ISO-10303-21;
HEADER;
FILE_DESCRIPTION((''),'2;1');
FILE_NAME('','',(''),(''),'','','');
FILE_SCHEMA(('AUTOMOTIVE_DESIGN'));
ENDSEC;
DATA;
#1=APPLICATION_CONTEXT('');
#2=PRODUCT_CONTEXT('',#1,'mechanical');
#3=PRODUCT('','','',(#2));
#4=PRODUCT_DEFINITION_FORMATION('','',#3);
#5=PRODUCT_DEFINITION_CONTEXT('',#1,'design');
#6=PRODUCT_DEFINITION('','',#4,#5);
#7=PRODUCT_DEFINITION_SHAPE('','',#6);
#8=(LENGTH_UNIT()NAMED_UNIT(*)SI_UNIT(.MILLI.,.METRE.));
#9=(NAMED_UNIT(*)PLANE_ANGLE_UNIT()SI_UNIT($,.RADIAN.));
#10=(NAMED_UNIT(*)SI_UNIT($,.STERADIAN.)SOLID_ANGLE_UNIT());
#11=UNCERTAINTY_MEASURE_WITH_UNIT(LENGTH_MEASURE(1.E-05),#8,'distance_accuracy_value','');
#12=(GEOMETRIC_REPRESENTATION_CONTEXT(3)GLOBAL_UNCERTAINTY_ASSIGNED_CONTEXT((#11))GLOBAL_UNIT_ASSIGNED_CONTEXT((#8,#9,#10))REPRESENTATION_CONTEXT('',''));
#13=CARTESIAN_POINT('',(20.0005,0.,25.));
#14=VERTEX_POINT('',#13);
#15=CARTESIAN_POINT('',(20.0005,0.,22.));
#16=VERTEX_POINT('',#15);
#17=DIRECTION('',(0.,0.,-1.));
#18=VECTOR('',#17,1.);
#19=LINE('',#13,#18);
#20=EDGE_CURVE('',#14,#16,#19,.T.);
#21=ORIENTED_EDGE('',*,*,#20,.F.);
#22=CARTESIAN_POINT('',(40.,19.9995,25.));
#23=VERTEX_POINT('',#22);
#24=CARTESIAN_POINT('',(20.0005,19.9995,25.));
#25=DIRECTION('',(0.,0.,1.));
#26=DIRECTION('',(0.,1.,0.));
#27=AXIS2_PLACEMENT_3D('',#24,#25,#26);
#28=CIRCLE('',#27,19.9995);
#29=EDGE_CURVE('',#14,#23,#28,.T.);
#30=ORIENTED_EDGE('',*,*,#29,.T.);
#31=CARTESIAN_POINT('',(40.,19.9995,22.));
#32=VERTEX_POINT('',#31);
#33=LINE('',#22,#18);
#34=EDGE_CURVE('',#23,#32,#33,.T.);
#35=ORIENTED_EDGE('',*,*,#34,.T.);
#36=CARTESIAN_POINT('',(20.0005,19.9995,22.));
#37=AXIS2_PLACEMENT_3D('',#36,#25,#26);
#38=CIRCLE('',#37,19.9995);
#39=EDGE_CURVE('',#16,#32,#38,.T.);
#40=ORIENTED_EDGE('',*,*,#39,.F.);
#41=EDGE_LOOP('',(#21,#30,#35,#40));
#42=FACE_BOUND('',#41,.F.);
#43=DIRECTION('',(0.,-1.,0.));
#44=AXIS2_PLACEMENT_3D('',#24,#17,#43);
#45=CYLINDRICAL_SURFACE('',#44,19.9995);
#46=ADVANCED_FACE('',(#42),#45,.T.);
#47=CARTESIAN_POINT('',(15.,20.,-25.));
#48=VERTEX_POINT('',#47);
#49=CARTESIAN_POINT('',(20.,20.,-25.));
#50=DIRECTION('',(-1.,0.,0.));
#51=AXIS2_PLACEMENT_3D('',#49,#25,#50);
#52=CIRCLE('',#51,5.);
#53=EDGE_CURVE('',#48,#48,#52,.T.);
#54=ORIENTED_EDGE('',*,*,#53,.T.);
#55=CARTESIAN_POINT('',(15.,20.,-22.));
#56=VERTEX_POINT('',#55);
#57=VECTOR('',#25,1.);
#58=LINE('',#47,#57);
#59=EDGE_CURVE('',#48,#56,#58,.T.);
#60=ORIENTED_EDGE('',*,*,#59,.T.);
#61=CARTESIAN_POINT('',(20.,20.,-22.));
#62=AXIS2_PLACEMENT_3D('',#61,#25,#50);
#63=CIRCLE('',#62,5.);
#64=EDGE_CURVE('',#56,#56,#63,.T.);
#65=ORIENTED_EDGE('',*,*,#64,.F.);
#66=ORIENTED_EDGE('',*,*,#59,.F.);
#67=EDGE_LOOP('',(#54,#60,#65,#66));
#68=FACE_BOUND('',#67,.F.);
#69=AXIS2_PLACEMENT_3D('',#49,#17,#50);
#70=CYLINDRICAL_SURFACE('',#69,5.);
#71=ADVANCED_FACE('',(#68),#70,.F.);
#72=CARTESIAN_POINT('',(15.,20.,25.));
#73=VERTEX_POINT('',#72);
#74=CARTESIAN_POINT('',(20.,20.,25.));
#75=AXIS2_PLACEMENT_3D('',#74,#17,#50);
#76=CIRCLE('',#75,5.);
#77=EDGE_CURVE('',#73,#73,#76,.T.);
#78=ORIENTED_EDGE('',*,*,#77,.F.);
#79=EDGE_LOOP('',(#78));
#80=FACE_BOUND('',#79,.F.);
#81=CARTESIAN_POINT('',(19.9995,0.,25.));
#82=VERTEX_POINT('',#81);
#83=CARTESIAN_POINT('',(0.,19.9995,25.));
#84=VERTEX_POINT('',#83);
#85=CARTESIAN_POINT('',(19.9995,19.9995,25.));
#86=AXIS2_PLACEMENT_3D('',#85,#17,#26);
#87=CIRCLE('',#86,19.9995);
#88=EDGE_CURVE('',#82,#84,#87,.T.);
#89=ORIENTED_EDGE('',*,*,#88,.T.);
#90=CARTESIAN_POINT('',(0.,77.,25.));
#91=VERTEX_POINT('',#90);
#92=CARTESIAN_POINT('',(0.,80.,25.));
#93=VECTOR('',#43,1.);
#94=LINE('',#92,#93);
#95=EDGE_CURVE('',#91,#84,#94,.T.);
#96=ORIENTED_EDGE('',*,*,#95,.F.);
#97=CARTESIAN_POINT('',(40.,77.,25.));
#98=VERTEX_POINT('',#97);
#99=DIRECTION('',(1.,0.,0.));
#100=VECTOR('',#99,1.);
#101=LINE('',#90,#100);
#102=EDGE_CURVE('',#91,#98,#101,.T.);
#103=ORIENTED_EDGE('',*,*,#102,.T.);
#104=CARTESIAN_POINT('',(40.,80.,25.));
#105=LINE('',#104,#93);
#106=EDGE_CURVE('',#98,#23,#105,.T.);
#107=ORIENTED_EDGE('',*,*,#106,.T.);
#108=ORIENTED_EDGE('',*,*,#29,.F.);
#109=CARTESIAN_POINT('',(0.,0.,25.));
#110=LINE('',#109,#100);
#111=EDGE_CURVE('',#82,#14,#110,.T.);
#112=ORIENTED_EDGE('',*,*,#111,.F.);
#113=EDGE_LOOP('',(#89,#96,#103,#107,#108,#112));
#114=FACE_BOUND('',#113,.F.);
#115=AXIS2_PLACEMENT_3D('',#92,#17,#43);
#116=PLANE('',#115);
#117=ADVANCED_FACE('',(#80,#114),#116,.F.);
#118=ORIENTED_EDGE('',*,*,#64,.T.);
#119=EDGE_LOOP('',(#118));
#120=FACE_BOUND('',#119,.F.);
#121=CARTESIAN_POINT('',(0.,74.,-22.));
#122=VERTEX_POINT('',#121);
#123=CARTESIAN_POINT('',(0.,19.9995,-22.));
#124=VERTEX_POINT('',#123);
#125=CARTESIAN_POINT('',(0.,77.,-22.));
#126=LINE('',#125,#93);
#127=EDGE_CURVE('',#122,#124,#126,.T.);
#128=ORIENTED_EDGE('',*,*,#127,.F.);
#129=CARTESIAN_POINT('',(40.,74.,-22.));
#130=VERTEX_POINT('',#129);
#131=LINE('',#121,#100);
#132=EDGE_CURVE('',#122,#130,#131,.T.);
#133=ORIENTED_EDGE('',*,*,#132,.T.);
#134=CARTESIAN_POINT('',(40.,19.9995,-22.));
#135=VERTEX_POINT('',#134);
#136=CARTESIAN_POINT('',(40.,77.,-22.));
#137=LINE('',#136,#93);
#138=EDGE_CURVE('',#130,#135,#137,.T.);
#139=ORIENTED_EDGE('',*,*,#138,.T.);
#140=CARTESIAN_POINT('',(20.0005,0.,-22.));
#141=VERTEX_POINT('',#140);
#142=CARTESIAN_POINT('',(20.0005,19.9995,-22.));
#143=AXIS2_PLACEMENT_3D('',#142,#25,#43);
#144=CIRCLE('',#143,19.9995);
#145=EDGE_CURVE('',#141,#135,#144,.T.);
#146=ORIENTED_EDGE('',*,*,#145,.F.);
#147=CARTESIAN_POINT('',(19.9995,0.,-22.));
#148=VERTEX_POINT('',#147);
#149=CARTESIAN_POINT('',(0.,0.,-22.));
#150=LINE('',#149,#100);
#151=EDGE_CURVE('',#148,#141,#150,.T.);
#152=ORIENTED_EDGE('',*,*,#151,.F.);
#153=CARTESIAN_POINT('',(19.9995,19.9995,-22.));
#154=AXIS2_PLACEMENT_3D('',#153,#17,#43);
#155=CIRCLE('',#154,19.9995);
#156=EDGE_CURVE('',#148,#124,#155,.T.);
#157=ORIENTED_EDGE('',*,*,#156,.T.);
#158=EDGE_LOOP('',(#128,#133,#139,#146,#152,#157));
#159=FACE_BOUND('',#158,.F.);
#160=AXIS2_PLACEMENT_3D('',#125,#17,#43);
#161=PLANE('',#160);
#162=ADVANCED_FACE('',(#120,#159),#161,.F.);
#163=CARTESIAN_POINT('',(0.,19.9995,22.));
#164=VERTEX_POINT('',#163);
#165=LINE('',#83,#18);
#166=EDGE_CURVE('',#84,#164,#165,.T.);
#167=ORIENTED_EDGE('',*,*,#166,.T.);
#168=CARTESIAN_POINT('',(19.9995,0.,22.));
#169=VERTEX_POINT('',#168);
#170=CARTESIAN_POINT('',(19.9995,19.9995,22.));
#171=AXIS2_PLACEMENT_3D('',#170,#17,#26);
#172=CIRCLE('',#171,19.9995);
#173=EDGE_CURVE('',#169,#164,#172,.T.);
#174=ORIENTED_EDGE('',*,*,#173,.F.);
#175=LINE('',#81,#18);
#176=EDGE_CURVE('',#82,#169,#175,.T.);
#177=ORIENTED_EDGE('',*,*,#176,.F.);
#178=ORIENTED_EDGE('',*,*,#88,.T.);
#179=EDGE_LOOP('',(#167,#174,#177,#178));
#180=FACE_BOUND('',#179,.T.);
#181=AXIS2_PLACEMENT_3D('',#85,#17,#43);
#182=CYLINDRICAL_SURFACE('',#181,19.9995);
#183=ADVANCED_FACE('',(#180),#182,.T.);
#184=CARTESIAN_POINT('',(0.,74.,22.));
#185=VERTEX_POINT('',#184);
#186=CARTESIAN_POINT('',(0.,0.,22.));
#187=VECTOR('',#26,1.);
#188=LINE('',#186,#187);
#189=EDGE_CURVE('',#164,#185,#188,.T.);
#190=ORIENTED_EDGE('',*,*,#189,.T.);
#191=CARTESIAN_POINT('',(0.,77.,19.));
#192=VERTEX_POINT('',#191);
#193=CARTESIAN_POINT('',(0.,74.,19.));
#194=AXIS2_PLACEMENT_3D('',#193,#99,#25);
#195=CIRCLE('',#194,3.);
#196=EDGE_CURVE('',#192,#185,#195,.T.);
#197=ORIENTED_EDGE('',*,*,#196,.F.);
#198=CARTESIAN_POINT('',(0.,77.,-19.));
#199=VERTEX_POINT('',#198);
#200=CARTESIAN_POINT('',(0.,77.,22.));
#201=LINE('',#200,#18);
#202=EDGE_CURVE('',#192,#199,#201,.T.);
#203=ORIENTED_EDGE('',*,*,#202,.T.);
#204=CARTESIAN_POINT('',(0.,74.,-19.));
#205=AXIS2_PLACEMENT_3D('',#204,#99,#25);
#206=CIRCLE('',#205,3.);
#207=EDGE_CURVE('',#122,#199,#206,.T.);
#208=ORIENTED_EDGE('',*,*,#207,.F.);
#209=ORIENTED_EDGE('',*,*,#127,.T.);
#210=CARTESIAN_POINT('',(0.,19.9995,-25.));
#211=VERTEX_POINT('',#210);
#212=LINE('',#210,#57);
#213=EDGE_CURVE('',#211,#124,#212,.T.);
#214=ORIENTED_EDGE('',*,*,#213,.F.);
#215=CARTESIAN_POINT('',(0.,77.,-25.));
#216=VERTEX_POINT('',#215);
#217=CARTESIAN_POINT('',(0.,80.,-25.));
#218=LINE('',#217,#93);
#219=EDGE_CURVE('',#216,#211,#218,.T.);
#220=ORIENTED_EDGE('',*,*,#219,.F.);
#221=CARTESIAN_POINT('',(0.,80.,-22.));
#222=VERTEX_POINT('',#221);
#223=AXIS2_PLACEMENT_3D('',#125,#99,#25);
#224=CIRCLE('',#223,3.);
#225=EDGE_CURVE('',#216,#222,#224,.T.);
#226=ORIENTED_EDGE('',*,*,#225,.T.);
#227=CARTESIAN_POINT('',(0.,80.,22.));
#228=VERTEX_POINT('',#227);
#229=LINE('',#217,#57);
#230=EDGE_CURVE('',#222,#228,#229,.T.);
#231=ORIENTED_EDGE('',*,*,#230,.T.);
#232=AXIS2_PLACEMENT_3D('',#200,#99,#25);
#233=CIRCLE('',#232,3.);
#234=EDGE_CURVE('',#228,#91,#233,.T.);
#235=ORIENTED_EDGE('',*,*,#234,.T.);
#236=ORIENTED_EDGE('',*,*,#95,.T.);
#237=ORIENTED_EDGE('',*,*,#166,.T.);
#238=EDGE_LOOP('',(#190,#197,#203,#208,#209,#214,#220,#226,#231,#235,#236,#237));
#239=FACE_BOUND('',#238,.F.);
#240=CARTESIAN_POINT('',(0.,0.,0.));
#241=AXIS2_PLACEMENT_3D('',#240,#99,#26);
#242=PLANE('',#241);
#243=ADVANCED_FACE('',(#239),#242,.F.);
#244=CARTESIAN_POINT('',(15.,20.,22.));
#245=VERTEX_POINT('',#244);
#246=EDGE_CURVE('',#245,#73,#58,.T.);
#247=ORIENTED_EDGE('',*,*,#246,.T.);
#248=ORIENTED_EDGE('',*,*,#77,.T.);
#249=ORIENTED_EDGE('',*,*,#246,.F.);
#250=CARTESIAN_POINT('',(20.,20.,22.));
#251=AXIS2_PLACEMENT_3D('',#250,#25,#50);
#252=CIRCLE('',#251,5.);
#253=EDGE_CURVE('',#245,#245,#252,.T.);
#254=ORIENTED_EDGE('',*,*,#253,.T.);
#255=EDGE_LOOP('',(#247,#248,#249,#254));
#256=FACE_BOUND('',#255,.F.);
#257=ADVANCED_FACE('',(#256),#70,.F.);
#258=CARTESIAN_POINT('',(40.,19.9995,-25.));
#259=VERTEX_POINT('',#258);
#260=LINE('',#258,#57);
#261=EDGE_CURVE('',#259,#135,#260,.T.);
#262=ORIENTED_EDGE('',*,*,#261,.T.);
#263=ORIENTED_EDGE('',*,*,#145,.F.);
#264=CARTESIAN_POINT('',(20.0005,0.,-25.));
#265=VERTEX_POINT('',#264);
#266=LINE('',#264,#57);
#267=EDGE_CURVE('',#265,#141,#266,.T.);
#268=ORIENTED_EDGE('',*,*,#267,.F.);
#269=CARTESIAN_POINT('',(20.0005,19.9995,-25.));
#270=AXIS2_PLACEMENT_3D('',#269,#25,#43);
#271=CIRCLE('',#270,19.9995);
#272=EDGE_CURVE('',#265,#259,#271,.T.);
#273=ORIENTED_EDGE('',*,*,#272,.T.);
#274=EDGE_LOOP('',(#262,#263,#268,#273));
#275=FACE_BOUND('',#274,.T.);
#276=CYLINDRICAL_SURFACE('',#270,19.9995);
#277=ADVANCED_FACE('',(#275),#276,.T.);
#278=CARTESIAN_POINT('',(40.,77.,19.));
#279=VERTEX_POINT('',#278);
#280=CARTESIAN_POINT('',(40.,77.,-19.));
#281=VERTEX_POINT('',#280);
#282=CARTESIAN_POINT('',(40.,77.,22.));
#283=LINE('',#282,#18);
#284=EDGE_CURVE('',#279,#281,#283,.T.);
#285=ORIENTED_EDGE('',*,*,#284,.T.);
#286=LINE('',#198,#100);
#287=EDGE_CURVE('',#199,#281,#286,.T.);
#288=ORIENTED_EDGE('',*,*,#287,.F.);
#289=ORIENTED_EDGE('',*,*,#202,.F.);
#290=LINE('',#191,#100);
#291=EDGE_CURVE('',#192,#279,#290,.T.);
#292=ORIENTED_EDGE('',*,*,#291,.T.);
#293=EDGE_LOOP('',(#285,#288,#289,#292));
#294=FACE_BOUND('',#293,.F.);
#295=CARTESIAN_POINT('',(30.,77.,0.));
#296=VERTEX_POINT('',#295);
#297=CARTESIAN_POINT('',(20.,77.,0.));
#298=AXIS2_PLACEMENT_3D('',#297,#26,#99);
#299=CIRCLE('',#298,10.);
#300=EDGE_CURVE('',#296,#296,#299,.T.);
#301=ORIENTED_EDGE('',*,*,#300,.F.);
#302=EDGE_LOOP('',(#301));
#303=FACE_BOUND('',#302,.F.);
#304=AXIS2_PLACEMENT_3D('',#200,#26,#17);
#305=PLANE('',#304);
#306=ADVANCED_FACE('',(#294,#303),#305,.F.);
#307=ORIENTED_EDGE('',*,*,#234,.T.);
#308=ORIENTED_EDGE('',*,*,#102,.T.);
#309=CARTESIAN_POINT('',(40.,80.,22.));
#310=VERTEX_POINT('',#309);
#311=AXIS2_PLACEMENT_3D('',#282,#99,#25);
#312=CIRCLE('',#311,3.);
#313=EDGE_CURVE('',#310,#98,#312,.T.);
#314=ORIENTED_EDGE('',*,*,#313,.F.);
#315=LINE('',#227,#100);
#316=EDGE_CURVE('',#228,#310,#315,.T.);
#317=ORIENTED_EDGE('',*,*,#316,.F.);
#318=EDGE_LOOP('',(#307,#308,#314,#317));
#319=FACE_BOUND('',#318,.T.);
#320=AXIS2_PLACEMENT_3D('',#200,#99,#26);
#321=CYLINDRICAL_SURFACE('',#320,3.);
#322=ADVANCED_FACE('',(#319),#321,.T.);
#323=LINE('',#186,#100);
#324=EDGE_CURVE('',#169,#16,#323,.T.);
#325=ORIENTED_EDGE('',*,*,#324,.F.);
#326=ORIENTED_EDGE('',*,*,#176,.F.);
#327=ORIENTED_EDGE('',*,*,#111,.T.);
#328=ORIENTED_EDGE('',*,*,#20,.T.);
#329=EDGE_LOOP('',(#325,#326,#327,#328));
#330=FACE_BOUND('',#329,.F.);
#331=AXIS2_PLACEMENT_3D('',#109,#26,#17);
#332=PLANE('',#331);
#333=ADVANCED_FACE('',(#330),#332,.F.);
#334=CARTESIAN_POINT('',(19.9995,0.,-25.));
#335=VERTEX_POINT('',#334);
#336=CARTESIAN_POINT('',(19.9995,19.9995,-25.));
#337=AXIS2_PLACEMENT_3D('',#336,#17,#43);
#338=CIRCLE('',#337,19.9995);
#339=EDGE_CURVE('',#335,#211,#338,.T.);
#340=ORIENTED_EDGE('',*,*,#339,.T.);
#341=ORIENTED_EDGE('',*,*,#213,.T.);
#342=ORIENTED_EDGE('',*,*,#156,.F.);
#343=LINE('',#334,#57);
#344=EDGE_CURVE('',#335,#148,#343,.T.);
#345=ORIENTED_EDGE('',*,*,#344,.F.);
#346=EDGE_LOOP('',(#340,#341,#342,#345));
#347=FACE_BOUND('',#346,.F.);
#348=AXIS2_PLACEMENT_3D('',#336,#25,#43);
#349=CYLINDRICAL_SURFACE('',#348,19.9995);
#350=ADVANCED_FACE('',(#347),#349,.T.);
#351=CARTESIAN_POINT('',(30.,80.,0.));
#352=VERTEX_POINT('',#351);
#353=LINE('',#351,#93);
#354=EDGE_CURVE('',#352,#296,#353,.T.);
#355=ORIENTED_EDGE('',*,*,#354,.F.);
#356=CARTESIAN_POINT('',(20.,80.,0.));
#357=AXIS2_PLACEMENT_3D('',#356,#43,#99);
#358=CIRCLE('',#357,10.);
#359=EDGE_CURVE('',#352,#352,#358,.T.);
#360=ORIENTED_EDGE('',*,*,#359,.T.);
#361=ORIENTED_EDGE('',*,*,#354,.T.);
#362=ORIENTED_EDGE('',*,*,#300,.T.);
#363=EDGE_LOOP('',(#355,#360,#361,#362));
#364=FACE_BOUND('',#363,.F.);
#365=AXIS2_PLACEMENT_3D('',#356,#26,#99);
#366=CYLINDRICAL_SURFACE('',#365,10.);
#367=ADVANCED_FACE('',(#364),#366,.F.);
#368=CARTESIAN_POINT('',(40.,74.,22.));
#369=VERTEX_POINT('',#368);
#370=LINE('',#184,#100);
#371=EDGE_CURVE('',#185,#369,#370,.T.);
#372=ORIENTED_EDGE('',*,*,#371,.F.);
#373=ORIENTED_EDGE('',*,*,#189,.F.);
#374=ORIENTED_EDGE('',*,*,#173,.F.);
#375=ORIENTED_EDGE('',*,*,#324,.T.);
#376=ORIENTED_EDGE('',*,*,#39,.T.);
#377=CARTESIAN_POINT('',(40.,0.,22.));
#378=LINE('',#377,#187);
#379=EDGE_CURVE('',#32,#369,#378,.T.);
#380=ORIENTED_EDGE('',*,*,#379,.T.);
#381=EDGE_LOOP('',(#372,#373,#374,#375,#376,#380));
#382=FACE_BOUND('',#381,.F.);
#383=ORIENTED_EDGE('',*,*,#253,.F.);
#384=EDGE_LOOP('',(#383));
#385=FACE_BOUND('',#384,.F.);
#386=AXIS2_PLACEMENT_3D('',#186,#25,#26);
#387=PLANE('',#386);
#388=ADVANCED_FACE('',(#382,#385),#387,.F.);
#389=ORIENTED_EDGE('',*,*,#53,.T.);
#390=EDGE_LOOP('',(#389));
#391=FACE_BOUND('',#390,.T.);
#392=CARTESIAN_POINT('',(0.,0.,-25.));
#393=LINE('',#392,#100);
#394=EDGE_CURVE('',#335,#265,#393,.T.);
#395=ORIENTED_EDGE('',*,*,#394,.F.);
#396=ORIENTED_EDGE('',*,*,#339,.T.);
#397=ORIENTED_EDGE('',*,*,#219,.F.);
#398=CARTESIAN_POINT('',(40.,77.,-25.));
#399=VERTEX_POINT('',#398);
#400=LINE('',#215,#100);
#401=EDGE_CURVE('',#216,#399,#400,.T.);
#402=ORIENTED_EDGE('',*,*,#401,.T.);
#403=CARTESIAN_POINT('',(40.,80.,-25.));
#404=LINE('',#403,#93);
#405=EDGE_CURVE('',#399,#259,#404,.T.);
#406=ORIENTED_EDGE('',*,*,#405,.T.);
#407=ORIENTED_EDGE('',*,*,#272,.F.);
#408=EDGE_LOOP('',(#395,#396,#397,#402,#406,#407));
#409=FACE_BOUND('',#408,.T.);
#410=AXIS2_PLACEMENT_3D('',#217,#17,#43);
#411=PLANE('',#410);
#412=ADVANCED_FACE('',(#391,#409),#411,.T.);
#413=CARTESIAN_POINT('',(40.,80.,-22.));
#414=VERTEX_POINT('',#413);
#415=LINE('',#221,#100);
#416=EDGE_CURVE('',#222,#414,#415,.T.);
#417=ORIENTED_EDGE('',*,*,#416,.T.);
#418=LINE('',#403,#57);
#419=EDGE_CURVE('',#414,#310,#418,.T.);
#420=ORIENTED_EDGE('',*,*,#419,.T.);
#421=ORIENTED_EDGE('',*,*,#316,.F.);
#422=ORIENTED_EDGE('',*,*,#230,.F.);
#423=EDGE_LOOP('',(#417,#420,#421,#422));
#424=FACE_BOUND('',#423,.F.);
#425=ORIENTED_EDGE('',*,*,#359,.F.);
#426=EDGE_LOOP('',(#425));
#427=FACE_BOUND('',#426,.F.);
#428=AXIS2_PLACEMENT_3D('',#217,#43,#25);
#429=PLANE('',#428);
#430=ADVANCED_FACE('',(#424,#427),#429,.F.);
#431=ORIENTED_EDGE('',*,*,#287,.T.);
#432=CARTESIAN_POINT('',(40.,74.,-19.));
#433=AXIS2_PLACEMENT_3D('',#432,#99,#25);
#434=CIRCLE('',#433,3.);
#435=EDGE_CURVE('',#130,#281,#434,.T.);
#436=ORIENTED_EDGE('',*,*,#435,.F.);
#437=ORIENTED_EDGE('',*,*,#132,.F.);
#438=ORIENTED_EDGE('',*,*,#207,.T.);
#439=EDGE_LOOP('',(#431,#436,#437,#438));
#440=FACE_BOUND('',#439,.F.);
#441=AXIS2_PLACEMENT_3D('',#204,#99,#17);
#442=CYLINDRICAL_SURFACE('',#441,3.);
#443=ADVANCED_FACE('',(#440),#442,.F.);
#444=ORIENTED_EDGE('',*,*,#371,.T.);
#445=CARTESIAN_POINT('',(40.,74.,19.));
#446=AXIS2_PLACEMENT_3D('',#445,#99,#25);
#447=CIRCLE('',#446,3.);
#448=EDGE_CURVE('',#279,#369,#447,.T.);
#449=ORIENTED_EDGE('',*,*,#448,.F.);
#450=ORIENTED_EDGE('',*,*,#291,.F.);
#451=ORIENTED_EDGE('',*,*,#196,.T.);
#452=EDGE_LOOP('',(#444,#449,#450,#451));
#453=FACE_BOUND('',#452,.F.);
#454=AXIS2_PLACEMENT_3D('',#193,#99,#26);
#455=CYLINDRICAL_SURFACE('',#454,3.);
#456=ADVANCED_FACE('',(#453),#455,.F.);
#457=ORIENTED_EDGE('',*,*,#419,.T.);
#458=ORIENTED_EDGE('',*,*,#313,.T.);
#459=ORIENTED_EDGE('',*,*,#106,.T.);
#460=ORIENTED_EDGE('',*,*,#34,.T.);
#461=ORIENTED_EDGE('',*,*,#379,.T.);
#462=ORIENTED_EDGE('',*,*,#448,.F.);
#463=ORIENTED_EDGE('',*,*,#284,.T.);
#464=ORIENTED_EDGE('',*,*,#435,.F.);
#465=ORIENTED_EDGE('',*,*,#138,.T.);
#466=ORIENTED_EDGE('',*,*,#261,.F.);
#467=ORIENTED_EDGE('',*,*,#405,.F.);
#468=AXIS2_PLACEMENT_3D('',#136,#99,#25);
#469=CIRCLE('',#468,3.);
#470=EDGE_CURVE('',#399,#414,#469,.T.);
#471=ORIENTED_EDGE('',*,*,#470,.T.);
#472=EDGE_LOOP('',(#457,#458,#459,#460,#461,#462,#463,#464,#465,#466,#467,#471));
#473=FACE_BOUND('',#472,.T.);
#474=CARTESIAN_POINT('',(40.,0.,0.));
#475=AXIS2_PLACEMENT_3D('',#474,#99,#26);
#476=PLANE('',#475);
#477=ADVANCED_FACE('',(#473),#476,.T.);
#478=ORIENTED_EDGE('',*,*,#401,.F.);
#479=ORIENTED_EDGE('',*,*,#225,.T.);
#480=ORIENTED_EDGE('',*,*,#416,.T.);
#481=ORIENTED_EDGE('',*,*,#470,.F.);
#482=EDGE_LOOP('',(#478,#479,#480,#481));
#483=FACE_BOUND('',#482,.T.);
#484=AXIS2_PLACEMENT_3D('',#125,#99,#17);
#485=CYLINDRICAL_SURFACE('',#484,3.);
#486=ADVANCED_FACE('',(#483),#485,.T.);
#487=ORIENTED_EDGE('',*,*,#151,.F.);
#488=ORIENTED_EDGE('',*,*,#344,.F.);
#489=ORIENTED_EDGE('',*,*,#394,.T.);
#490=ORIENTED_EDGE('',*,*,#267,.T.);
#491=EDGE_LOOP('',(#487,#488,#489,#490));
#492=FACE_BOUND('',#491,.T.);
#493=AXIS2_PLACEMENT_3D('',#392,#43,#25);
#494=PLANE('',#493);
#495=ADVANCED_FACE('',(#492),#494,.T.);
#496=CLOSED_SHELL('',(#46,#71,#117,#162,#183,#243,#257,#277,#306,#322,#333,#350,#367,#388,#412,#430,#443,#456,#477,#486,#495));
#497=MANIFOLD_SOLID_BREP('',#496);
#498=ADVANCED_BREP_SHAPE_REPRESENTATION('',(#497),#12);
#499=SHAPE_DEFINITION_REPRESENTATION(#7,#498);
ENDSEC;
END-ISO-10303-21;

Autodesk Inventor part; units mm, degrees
ref_plane "YZ Plane" through (0, 0, 0) normal (1, 0, 0) x (0, 1, 0)
ref_plane "XZ Plane" through (0, 0, 0) normal (0, 1, 0) x (-1, 0, 0)
ref_plane "XY Plane" through (0, 0, 0) normal (0, 0, 1) x (1, 0, 0)
sketch "Esboço1" plane through (0, 0, 0) normal (1, 0, 0) x (0, 1, 0)
  line L0 (0, 0) -> (16.1325, 0)
  line L1 (80, -25) -> (0, -25)
  line L2 (0, -25) -> (0, -22)
  line L3 (80, -25) -> (80, 25)
  line L4 (80, 25) -> (0, 25)
  line L5 (0, 25) -> (0, 22)
  line L6 (0, 22) -> (77, 22)
  line L7 (77, 22) -> (77, -22)
  line L8 (77, -22) -> (0, -22)
extrude "Extrusão1" add sketch "Esboço1" along normal blind 40
fillet "Arredondamento1" radius 20 4 edges at (0, 0, -23.5) (40, 0, -23.5) (0, 0, 23.5) (40, 0, 23.5)
fillet "Arredondamento2" radius 3 4 edges at (20, 80, -25) (20, 80, 25) (20, 77, -22) (20, 77, 22)
sketch "Esboço2" plane through (20, 20, -25) normal (0, 0, -1) x (-1, 0, 0)
  line L0 (-20, 60) -> (20, 60) projected
  line L1 (0, 60) -> (0, 0)
  circle A0 centre (0, 0) radius 5
  point P0 (20, -20)
  dimension "d17" = 60
  dimension "d18" = 10
extrude "Extrusão2" cut sketch "Esboço2" against normal through all
sketch "Esboço3" plane through (0, 80, 22) normal (0, 1, 0) x (1, 0, 0)
  line L0 (40, 44) -> (40, 0) projected
  line L1 (40, 22) -> (0, 22)
  circle A0 centre (20, 22) radius 10
  dimension "d21" = 20
extrude "Extrusão3" cut sketch "Esboço3" against normal blind 10
